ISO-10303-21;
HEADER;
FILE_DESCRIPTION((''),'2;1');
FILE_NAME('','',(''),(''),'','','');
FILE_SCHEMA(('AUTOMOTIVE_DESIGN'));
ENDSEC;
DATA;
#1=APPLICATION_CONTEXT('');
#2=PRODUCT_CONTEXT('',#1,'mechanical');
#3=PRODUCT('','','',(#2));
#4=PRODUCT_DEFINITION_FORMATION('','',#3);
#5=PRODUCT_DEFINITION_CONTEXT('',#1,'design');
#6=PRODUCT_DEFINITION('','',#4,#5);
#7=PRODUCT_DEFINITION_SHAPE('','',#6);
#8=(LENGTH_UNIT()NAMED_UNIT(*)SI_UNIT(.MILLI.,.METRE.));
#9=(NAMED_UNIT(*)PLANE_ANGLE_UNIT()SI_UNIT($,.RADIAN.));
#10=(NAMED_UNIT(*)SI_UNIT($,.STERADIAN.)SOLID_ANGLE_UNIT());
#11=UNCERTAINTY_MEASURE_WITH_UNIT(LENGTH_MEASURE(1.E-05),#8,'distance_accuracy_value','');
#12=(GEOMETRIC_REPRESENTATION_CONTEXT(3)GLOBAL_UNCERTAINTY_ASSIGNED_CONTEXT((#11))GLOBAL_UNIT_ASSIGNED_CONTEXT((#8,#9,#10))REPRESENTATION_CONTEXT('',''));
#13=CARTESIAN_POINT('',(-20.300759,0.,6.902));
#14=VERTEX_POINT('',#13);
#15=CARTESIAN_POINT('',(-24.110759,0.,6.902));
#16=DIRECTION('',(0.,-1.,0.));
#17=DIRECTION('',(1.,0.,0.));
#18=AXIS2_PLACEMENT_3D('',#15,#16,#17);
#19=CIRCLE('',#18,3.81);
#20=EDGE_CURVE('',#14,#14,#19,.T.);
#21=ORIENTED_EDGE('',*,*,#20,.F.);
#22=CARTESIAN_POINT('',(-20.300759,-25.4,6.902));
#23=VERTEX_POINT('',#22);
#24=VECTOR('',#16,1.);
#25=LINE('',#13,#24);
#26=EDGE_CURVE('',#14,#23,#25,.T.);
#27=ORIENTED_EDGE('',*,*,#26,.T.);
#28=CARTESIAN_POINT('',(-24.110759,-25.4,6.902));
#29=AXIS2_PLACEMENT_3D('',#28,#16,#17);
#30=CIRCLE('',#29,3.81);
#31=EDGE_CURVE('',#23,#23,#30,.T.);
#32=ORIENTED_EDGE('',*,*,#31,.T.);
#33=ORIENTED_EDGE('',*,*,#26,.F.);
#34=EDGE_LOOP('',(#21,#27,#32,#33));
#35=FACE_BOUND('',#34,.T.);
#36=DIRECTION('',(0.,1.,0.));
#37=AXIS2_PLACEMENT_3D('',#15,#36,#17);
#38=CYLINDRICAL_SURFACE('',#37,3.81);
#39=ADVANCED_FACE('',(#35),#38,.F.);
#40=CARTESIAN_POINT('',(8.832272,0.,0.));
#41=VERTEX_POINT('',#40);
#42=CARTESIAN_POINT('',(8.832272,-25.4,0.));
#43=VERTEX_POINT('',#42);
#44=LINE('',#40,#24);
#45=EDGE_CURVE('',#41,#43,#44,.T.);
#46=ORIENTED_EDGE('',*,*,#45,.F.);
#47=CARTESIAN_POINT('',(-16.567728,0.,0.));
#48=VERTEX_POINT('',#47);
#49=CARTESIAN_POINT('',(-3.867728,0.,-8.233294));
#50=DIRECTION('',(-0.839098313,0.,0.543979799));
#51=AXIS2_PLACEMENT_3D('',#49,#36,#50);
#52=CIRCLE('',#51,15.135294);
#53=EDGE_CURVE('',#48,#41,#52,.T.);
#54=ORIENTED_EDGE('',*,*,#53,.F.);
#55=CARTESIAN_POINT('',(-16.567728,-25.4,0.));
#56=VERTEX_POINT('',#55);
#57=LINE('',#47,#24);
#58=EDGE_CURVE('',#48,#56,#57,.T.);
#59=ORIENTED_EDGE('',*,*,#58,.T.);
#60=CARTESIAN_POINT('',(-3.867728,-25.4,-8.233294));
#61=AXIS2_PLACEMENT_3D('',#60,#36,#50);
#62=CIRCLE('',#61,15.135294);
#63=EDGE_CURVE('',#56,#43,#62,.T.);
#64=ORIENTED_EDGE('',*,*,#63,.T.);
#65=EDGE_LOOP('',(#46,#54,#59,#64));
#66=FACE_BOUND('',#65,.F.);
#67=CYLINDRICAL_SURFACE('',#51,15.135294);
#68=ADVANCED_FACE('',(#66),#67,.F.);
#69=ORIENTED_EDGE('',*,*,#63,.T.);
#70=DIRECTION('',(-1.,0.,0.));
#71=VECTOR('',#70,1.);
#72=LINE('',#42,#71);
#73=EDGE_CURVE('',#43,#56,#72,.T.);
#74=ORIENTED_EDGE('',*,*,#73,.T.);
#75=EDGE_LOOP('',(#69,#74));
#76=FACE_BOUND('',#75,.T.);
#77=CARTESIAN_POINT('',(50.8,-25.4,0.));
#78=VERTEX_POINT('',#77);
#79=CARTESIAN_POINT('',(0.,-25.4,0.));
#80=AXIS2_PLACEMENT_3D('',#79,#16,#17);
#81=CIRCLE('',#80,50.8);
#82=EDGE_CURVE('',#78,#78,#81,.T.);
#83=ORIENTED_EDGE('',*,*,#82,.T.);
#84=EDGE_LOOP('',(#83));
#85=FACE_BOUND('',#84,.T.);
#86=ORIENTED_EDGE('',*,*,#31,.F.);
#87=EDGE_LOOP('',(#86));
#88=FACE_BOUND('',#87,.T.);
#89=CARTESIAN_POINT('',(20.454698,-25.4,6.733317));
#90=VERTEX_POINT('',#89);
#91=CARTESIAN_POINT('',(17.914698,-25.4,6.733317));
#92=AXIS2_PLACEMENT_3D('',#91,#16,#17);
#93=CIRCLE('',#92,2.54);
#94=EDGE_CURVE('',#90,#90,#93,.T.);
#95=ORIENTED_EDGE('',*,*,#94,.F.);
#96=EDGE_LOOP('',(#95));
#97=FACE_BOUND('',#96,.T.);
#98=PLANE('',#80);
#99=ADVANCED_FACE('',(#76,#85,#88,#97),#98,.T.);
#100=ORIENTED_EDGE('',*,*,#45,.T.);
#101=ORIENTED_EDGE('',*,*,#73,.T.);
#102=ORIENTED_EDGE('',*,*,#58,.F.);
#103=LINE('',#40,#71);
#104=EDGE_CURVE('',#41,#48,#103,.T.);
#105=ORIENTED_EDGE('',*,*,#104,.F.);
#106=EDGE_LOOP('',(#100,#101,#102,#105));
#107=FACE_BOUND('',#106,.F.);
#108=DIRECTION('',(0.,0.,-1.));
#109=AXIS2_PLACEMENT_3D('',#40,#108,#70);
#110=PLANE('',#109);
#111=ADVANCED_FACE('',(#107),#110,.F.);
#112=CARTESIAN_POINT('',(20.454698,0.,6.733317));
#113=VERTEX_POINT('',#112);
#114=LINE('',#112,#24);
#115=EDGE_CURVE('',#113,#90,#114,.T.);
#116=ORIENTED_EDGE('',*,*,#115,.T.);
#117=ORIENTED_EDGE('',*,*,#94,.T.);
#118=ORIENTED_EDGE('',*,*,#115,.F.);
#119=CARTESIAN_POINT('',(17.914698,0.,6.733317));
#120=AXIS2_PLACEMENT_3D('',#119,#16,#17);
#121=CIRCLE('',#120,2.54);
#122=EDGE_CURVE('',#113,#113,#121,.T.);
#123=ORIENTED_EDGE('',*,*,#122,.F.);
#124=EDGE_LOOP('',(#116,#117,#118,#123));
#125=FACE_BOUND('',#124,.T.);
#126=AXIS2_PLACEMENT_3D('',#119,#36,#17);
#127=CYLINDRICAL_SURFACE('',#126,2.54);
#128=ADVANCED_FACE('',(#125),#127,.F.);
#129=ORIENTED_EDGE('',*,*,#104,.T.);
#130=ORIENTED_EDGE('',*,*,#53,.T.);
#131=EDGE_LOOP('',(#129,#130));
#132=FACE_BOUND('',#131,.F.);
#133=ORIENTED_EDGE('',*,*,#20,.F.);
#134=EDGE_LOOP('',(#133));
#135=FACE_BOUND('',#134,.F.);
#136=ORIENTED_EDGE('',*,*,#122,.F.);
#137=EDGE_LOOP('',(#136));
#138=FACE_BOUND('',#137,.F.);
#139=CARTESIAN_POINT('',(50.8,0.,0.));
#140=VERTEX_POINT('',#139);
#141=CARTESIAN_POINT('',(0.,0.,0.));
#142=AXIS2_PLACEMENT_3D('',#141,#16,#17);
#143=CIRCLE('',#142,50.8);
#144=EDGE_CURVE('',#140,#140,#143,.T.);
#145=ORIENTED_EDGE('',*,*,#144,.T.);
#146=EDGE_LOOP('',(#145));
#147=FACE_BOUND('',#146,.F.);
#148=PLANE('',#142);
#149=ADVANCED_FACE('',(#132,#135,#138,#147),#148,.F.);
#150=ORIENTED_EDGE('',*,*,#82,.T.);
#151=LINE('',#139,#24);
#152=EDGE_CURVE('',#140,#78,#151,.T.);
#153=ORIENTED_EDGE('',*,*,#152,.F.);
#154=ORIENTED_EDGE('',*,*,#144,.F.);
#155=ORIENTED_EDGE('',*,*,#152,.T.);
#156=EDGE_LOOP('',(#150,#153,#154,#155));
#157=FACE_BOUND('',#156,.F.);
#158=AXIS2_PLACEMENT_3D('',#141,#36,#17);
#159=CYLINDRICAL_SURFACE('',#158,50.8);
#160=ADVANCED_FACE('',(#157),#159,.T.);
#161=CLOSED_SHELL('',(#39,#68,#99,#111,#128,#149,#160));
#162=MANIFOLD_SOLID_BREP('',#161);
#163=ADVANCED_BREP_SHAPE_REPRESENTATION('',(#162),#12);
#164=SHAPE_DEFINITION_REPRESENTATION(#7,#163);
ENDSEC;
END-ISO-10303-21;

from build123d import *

# Parameters (mm, degrees)
F0_R     = 50.8
F0_R_2   = 3.81
F0_R_3   = 2.54
F1_DEPTH = 25.4


with BuildPart() as f1:
    # F0 (on Front) → F1 (new body)
    with BuildSketch(Plane.XZ):
        Circle(F0_R)
        with Locations((-24.110759, 6.902)):
            Circle(F0_R_2, mode=Mode.SUBTRACT)
        with BuildLine():
            Line((8.832272, 0), (-16.567728, 0))
            ThreePointArc((-16.567728, 0), (-3.867728, 6.902), (8.832272, 0))
        make_face(mode=Mode.SUBTRACT)
        with Locations((17.914698, 6.733317)):
            Circle(F0_R_3, mode=Mode.SUBTRACT)
    extrude(amount=F1_DEPTH)


solid = f1.part
